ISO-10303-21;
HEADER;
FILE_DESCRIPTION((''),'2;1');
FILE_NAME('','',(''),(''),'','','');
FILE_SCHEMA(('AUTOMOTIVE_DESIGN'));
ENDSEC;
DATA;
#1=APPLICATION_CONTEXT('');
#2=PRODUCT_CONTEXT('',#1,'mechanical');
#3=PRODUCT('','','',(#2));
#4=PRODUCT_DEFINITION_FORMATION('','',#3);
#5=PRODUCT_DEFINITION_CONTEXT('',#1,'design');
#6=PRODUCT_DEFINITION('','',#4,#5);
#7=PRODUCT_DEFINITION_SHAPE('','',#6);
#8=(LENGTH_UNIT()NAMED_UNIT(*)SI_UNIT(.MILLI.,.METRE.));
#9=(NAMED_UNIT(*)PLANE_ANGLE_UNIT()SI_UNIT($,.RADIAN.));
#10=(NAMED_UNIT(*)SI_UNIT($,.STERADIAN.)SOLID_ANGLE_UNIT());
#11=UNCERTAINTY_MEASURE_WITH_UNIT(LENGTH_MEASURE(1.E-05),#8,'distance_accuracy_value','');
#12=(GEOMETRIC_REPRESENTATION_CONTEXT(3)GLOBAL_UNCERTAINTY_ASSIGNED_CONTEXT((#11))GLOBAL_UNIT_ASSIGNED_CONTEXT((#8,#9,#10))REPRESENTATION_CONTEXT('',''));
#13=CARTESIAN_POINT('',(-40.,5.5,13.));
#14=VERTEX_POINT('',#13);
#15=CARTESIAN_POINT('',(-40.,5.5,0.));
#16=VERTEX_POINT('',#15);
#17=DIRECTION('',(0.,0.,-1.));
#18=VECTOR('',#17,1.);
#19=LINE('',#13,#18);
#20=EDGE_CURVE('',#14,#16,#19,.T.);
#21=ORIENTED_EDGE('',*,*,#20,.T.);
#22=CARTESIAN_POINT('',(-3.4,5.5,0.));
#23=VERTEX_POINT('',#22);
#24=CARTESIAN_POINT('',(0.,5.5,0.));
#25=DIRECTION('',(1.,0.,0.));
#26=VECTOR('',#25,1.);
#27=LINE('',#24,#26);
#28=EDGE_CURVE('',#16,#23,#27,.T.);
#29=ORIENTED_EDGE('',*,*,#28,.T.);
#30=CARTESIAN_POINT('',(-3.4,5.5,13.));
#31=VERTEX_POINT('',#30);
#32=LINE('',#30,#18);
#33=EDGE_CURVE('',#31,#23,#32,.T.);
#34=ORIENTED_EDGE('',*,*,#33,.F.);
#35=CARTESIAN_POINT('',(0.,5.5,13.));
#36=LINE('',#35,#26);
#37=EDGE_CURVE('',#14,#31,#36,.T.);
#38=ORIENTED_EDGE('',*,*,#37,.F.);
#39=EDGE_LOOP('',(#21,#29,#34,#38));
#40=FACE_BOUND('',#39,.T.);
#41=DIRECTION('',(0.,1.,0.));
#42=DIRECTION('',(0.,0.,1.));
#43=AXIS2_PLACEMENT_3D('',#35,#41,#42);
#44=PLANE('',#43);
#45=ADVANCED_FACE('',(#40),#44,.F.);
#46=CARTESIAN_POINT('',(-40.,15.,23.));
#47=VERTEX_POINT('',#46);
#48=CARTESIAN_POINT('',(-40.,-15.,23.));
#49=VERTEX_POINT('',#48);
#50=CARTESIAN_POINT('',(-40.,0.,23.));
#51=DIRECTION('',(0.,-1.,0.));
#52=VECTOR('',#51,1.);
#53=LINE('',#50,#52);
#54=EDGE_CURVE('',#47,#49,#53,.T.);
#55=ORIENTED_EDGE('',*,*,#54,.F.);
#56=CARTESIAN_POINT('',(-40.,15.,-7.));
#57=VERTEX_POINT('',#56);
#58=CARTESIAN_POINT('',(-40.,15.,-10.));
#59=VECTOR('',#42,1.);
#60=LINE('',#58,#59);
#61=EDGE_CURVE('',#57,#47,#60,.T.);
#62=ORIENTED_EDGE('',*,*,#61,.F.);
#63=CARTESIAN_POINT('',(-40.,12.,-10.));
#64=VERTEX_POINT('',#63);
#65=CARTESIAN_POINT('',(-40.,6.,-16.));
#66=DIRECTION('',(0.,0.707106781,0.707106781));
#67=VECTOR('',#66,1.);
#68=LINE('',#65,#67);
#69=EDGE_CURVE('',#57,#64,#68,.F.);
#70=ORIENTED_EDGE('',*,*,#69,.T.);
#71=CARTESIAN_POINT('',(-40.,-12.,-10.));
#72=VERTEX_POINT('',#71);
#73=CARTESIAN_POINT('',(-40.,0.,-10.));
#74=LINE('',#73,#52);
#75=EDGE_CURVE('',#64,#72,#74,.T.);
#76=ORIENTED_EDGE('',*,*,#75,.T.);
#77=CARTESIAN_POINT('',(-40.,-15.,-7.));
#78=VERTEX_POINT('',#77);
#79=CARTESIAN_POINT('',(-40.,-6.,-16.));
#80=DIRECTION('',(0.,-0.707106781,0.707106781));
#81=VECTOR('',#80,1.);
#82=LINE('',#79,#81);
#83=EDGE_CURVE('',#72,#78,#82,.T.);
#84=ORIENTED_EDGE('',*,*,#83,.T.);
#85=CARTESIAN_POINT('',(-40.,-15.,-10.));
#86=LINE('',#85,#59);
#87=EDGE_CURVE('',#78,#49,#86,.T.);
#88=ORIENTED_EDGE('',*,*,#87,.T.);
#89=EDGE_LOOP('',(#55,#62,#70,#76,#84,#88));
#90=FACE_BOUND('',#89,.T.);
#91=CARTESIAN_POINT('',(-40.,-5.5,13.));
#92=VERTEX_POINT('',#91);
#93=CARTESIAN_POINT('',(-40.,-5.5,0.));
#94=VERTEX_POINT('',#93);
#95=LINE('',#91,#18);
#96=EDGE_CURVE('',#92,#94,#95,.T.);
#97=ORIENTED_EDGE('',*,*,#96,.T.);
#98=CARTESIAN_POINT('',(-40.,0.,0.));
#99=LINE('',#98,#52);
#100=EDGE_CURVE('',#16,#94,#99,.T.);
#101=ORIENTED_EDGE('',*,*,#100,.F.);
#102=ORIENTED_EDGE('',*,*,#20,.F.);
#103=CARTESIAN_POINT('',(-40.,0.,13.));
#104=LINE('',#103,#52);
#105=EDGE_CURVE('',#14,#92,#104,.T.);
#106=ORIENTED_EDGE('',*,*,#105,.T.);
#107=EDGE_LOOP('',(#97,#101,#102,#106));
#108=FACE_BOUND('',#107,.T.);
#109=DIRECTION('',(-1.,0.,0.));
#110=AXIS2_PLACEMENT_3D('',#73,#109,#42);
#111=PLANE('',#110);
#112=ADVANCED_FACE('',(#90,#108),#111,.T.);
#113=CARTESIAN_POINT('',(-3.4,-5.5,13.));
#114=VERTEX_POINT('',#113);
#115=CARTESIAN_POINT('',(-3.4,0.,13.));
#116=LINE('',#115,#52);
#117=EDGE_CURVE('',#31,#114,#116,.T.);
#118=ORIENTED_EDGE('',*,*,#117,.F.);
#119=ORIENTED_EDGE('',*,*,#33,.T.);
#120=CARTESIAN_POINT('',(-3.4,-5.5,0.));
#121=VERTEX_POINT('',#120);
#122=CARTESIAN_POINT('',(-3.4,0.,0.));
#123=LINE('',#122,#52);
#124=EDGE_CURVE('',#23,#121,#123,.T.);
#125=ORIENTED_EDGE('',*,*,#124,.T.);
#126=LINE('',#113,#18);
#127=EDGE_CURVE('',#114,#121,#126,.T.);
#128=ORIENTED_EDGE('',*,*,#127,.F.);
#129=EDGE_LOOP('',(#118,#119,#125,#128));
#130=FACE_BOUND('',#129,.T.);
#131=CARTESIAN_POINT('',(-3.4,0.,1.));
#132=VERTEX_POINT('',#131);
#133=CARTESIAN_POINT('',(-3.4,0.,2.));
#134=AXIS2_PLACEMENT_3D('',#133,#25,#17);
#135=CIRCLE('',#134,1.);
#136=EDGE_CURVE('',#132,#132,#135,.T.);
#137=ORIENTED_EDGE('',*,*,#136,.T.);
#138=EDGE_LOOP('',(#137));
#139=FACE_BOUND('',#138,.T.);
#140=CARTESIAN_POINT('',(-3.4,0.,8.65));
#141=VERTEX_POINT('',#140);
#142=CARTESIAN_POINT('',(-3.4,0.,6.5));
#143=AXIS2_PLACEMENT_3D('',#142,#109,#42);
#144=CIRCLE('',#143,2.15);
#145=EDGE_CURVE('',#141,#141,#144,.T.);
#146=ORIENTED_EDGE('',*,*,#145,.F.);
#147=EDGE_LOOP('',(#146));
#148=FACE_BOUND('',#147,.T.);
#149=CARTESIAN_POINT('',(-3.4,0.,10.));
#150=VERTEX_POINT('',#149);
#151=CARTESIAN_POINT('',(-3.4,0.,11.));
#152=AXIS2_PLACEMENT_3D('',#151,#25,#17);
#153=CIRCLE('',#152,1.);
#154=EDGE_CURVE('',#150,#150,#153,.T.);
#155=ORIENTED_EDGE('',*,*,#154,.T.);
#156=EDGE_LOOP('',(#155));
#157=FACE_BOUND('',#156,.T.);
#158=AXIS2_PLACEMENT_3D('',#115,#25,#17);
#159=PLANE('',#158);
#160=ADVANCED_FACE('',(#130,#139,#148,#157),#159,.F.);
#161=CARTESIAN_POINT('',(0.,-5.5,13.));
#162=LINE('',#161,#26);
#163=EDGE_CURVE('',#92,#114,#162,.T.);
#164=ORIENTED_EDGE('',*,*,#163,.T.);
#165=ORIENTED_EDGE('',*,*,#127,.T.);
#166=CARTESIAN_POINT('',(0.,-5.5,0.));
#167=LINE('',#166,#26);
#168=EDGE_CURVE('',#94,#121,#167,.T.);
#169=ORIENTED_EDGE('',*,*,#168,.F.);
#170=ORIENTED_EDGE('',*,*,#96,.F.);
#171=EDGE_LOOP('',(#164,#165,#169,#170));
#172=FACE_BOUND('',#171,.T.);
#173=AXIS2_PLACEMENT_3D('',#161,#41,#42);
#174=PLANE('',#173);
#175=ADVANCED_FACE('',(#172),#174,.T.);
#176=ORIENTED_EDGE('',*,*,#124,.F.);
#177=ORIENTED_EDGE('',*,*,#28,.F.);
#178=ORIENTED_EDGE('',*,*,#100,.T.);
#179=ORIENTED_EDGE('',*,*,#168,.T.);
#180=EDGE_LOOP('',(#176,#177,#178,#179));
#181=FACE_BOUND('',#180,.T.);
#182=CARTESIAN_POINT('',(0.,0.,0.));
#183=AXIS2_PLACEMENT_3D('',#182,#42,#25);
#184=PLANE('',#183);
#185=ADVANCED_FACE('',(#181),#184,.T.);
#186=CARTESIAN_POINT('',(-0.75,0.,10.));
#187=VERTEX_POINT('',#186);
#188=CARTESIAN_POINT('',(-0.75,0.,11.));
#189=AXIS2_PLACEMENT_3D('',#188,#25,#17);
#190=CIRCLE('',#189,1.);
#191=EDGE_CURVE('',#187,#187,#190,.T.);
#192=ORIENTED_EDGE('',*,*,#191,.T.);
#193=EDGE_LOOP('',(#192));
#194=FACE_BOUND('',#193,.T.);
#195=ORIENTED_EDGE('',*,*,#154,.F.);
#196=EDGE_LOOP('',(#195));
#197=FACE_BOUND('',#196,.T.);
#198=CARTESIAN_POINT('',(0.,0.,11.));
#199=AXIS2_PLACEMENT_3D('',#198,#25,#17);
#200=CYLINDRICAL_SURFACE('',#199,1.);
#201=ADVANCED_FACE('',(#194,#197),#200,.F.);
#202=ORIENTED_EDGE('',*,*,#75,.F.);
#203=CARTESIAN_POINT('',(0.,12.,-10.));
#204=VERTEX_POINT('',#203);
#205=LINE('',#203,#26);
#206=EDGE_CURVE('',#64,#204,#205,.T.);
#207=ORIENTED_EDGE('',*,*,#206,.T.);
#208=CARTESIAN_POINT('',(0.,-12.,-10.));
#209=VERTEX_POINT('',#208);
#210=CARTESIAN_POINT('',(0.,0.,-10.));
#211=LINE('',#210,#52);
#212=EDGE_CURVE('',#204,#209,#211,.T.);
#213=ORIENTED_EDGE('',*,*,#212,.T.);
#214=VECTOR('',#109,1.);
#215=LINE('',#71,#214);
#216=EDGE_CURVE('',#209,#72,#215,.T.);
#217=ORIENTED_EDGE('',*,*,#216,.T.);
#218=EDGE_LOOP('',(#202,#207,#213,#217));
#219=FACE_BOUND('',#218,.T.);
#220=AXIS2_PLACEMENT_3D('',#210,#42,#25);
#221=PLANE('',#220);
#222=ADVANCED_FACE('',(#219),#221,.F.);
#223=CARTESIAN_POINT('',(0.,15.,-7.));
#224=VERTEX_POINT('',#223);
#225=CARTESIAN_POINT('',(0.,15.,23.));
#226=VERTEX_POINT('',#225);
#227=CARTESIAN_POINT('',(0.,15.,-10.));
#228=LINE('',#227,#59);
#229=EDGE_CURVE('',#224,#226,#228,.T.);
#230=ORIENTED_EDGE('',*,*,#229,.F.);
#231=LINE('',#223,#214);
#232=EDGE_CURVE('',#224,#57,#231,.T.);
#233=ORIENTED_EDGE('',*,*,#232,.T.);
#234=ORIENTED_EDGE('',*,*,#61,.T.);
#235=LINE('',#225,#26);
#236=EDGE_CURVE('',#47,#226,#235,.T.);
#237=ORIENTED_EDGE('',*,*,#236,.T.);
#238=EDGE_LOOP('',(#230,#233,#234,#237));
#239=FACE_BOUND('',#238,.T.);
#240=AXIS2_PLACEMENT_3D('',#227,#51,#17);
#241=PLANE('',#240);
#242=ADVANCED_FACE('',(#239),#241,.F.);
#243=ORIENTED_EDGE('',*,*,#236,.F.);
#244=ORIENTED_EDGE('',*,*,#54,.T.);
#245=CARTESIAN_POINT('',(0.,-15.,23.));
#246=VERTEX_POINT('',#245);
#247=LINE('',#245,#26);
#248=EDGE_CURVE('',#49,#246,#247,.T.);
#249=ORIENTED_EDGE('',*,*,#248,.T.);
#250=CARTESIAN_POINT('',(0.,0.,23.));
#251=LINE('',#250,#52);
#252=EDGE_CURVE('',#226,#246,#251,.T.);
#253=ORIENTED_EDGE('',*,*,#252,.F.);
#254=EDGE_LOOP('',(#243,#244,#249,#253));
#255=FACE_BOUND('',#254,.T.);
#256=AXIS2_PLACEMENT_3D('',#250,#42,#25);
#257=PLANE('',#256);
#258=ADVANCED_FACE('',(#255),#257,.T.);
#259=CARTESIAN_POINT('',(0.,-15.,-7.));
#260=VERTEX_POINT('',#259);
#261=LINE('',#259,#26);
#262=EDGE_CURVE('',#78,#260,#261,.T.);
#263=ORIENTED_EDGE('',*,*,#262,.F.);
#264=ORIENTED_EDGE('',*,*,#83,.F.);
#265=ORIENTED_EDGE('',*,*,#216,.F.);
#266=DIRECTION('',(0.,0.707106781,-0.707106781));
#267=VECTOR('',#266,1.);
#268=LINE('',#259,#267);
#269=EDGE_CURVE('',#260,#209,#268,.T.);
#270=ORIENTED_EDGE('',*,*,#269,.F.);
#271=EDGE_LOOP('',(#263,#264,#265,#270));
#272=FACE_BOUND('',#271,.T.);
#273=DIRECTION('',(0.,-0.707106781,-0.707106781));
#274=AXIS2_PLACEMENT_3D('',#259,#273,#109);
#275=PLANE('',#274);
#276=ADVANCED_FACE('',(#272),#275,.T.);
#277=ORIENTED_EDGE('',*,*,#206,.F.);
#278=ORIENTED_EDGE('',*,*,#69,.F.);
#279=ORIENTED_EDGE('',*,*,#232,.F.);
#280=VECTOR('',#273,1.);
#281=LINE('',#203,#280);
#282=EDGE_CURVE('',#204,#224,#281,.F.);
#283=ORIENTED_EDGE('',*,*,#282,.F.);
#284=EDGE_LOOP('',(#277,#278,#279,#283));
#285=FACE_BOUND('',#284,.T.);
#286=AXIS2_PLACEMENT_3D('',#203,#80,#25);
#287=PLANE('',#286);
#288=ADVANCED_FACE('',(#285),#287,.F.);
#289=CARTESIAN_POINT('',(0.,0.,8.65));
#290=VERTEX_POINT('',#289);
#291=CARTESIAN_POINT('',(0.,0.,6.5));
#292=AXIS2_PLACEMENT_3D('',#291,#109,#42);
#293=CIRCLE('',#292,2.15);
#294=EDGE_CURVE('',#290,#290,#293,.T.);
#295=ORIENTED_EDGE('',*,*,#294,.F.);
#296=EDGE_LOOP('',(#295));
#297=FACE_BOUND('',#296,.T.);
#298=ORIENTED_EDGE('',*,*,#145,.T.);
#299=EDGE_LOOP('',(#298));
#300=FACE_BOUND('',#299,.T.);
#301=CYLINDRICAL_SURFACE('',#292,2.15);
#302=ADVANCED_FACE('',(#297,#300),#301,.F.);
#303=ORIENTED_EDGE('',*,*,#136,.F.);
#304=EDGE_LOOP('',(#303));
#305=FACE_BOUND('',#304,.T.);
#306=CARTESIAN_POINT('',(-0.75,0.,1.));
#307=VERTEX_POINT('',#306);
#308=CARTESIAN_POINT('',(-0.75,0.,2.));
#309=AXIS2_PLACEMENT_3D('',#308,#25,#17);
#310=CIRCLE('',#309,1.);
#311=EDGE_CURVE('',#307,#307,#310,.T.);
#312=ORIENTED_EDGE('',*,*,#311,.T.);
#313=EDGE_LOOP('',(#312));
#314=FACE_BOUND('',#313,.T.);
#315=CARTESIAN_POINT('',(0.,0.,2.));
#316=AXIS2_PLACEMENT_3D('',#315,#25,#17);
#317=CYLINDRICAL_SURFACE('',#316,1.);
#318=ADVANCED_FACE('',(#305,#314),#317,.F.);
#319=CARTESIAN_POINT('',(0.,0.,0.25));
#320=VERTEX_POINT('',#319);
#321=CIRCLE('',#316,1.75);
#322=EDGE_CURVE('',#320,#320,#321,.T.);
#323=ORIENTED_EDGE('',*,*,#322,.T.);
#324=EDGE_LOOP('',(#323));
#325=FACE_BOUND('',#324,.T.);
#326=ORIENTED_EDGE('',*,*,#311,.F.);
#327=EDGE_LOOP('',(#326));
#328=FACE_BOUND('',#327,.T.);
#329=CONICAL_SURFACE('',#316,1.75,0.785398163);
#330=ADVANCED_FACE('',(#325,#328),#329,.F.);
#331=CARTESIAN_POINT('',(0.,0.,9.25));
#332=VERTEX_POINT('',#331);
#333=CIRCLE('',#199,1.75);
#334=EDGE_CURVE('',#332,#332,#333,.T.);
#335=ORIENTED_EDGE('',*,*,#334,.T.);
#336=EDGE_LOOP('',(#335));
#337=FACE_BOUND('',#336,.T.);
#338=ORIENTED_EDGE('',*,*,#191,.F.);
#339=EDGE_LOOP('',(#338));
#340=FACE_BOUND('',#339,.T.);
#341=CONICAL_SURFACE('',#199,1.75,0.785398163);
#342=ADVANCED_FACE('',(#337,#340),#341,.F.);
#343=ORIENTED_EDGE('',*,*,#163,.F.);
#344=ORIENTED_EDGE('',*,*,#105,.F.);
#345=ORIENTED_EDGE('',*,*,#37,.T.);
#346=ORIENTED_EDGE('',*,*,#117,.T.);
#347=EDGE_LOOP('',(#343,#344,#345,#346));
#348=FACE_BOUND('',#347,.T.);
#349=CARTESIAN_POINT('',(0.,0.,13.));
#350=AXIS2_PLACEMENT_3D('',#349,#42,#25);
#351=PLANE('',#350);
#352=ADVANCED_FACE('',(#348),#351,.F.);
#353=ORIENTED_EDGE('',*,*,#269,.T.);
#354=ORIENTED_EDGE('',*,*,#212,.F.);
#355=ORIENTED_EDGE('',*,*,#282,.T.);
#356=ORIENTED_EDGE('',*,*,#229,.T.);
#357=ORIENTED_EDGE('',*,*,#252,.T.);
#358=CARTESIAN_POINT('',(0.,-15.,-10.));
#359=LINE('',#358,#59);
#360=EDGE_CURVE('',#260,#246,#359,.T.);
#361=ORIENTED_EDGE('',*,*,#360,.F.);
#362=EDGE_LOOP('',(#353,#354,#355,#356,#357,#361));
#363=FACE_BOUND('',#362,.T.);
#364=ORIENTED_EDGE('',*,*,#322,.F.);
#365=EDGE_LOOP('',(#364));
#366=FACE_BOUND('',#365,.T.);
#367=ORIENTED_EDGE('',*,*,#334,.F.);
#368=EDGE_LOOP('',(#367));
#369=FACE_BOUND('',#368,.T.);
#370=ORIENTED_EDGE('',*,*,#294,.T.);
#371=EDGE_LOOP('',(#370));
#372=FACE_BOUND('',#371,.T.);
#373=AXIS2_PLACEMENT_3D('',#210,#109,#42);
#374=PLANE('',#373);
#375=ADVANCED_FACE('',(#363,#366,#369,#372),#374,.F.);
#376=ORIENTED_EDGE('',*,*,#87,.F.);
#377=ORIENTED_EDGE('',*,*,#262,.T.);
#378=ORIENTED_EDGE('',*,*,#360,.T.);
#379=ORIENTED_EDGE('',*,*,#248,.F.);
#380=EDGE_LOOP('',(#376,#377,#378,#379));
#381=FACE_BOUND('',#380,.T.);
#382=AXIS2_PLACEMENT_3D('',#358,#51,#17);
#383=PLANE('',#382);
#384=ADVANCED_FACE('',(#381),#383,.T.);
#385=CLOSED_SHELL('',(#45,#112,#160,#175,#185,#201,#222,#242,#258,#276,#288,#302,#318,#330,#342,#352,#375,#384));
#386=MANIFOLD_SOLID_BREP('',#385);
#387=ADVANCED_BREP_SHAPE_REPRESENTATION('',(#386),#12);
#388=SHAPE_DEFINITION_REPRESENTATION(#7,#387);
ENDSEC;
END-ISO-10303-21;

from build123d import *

# Parameters (mm, degrees)
BOSS_EXTRUDE1_DEPTH                             = 23
BOSS_EXTRUDE1_DEPTH_BACK                        = 10
SKETCH1_W                                       = 40
SKETCH1_H                                       = 30
SKETCH1_5_W                                     = 36.6
SKETCH1_5_H                                     = 11
CUT_EXTRUDE1_DEPTH                              = 13
SKETCH2_R                                       = 2.15
CUT_EXTRUDE2_DEPTH                              = 46.755436835
CSK_FOR_M2_FLAT_HEAD_MACHINE_SCREW1_D           = 2
CSK_FOR_M2_FLAT_HEAD_MACHINE_SCREW1_CSINK_D     = 3.5
CSK_FOR_M2_FLAT_HEAD_MACHINE_SCREW1_CSINK_ANGLE = 90
CHAMFER1_SIZE                                   = 3


with BuildPart() as part:
    # Sketch1 → Boss-Extrude1 (new, two sides: drawn at the far end of the back side and taken through both)
    with BuildSketch(Plane.XY.offset(-BOSS_EXTRUDE1_DEPTH_BACK)):
        with Locations((-20, 0)):
            Rectangle(SKETCH1_W, SKETCH1_H)
    extrude(amount=BOSS_EXTRUDE1_DEPTH + BOSS_EXTRUDE1_DEPTH_BACK)

    # Sketch1<5> → Cut-Extrude1 (cut)
    with BuildSketch(Plane.XY):
        with Locations((-21.7, 0)):
            Rectangle(SKETCH1_5_W, SKETCH1_5_H)
    extrude(amount=CUT_EXTRUDE1_DEPTH, mode=Mode.SUBTRACT)

    # Sketch2 → Cut-Extrude2 (cut, through all)
    with BuildSketch(Plane.ZY.offset(3.4)):
        with Locations((6.5, 0)):
            Circle(SKETCH2_R)
    extrude(amount=-CUT_EXTRUDE2_DEPTH, mode=Mode.SUBTRACT)

    # CSK for M2 Flat Head Machine Screw1 (through all)
    with Locations(Plane(origin=(0, 0, 0), x_dir=(0, 0, -1), z_dir=(1, 0, 0))):
        with Locations((-11, 0), (-2, 0)):
            CounterSinkHole(CSK_FOR_M2_FLAT_HEAD_MACHINE_SCREW1_D / 2, CSK_FOR_M2_FLAT_HEAD_MACHINE_SCREW1_CSINK_D / 2, counter_sink_angle=CSK_FOR_M2_FLAT_HEAD_MACHINE_SCREW1_CSINK_ANGLE)

    # Chamfer1
    chamfer1_edges = [part.edges().sort_by_distance(p)[0] for p in [
        (-20, 15, -10),
        (-20, -15, -10),
    ]]
    chamfer(chamfer1_edges, length=CHAMFER1_SIZE)


solid = part.part
